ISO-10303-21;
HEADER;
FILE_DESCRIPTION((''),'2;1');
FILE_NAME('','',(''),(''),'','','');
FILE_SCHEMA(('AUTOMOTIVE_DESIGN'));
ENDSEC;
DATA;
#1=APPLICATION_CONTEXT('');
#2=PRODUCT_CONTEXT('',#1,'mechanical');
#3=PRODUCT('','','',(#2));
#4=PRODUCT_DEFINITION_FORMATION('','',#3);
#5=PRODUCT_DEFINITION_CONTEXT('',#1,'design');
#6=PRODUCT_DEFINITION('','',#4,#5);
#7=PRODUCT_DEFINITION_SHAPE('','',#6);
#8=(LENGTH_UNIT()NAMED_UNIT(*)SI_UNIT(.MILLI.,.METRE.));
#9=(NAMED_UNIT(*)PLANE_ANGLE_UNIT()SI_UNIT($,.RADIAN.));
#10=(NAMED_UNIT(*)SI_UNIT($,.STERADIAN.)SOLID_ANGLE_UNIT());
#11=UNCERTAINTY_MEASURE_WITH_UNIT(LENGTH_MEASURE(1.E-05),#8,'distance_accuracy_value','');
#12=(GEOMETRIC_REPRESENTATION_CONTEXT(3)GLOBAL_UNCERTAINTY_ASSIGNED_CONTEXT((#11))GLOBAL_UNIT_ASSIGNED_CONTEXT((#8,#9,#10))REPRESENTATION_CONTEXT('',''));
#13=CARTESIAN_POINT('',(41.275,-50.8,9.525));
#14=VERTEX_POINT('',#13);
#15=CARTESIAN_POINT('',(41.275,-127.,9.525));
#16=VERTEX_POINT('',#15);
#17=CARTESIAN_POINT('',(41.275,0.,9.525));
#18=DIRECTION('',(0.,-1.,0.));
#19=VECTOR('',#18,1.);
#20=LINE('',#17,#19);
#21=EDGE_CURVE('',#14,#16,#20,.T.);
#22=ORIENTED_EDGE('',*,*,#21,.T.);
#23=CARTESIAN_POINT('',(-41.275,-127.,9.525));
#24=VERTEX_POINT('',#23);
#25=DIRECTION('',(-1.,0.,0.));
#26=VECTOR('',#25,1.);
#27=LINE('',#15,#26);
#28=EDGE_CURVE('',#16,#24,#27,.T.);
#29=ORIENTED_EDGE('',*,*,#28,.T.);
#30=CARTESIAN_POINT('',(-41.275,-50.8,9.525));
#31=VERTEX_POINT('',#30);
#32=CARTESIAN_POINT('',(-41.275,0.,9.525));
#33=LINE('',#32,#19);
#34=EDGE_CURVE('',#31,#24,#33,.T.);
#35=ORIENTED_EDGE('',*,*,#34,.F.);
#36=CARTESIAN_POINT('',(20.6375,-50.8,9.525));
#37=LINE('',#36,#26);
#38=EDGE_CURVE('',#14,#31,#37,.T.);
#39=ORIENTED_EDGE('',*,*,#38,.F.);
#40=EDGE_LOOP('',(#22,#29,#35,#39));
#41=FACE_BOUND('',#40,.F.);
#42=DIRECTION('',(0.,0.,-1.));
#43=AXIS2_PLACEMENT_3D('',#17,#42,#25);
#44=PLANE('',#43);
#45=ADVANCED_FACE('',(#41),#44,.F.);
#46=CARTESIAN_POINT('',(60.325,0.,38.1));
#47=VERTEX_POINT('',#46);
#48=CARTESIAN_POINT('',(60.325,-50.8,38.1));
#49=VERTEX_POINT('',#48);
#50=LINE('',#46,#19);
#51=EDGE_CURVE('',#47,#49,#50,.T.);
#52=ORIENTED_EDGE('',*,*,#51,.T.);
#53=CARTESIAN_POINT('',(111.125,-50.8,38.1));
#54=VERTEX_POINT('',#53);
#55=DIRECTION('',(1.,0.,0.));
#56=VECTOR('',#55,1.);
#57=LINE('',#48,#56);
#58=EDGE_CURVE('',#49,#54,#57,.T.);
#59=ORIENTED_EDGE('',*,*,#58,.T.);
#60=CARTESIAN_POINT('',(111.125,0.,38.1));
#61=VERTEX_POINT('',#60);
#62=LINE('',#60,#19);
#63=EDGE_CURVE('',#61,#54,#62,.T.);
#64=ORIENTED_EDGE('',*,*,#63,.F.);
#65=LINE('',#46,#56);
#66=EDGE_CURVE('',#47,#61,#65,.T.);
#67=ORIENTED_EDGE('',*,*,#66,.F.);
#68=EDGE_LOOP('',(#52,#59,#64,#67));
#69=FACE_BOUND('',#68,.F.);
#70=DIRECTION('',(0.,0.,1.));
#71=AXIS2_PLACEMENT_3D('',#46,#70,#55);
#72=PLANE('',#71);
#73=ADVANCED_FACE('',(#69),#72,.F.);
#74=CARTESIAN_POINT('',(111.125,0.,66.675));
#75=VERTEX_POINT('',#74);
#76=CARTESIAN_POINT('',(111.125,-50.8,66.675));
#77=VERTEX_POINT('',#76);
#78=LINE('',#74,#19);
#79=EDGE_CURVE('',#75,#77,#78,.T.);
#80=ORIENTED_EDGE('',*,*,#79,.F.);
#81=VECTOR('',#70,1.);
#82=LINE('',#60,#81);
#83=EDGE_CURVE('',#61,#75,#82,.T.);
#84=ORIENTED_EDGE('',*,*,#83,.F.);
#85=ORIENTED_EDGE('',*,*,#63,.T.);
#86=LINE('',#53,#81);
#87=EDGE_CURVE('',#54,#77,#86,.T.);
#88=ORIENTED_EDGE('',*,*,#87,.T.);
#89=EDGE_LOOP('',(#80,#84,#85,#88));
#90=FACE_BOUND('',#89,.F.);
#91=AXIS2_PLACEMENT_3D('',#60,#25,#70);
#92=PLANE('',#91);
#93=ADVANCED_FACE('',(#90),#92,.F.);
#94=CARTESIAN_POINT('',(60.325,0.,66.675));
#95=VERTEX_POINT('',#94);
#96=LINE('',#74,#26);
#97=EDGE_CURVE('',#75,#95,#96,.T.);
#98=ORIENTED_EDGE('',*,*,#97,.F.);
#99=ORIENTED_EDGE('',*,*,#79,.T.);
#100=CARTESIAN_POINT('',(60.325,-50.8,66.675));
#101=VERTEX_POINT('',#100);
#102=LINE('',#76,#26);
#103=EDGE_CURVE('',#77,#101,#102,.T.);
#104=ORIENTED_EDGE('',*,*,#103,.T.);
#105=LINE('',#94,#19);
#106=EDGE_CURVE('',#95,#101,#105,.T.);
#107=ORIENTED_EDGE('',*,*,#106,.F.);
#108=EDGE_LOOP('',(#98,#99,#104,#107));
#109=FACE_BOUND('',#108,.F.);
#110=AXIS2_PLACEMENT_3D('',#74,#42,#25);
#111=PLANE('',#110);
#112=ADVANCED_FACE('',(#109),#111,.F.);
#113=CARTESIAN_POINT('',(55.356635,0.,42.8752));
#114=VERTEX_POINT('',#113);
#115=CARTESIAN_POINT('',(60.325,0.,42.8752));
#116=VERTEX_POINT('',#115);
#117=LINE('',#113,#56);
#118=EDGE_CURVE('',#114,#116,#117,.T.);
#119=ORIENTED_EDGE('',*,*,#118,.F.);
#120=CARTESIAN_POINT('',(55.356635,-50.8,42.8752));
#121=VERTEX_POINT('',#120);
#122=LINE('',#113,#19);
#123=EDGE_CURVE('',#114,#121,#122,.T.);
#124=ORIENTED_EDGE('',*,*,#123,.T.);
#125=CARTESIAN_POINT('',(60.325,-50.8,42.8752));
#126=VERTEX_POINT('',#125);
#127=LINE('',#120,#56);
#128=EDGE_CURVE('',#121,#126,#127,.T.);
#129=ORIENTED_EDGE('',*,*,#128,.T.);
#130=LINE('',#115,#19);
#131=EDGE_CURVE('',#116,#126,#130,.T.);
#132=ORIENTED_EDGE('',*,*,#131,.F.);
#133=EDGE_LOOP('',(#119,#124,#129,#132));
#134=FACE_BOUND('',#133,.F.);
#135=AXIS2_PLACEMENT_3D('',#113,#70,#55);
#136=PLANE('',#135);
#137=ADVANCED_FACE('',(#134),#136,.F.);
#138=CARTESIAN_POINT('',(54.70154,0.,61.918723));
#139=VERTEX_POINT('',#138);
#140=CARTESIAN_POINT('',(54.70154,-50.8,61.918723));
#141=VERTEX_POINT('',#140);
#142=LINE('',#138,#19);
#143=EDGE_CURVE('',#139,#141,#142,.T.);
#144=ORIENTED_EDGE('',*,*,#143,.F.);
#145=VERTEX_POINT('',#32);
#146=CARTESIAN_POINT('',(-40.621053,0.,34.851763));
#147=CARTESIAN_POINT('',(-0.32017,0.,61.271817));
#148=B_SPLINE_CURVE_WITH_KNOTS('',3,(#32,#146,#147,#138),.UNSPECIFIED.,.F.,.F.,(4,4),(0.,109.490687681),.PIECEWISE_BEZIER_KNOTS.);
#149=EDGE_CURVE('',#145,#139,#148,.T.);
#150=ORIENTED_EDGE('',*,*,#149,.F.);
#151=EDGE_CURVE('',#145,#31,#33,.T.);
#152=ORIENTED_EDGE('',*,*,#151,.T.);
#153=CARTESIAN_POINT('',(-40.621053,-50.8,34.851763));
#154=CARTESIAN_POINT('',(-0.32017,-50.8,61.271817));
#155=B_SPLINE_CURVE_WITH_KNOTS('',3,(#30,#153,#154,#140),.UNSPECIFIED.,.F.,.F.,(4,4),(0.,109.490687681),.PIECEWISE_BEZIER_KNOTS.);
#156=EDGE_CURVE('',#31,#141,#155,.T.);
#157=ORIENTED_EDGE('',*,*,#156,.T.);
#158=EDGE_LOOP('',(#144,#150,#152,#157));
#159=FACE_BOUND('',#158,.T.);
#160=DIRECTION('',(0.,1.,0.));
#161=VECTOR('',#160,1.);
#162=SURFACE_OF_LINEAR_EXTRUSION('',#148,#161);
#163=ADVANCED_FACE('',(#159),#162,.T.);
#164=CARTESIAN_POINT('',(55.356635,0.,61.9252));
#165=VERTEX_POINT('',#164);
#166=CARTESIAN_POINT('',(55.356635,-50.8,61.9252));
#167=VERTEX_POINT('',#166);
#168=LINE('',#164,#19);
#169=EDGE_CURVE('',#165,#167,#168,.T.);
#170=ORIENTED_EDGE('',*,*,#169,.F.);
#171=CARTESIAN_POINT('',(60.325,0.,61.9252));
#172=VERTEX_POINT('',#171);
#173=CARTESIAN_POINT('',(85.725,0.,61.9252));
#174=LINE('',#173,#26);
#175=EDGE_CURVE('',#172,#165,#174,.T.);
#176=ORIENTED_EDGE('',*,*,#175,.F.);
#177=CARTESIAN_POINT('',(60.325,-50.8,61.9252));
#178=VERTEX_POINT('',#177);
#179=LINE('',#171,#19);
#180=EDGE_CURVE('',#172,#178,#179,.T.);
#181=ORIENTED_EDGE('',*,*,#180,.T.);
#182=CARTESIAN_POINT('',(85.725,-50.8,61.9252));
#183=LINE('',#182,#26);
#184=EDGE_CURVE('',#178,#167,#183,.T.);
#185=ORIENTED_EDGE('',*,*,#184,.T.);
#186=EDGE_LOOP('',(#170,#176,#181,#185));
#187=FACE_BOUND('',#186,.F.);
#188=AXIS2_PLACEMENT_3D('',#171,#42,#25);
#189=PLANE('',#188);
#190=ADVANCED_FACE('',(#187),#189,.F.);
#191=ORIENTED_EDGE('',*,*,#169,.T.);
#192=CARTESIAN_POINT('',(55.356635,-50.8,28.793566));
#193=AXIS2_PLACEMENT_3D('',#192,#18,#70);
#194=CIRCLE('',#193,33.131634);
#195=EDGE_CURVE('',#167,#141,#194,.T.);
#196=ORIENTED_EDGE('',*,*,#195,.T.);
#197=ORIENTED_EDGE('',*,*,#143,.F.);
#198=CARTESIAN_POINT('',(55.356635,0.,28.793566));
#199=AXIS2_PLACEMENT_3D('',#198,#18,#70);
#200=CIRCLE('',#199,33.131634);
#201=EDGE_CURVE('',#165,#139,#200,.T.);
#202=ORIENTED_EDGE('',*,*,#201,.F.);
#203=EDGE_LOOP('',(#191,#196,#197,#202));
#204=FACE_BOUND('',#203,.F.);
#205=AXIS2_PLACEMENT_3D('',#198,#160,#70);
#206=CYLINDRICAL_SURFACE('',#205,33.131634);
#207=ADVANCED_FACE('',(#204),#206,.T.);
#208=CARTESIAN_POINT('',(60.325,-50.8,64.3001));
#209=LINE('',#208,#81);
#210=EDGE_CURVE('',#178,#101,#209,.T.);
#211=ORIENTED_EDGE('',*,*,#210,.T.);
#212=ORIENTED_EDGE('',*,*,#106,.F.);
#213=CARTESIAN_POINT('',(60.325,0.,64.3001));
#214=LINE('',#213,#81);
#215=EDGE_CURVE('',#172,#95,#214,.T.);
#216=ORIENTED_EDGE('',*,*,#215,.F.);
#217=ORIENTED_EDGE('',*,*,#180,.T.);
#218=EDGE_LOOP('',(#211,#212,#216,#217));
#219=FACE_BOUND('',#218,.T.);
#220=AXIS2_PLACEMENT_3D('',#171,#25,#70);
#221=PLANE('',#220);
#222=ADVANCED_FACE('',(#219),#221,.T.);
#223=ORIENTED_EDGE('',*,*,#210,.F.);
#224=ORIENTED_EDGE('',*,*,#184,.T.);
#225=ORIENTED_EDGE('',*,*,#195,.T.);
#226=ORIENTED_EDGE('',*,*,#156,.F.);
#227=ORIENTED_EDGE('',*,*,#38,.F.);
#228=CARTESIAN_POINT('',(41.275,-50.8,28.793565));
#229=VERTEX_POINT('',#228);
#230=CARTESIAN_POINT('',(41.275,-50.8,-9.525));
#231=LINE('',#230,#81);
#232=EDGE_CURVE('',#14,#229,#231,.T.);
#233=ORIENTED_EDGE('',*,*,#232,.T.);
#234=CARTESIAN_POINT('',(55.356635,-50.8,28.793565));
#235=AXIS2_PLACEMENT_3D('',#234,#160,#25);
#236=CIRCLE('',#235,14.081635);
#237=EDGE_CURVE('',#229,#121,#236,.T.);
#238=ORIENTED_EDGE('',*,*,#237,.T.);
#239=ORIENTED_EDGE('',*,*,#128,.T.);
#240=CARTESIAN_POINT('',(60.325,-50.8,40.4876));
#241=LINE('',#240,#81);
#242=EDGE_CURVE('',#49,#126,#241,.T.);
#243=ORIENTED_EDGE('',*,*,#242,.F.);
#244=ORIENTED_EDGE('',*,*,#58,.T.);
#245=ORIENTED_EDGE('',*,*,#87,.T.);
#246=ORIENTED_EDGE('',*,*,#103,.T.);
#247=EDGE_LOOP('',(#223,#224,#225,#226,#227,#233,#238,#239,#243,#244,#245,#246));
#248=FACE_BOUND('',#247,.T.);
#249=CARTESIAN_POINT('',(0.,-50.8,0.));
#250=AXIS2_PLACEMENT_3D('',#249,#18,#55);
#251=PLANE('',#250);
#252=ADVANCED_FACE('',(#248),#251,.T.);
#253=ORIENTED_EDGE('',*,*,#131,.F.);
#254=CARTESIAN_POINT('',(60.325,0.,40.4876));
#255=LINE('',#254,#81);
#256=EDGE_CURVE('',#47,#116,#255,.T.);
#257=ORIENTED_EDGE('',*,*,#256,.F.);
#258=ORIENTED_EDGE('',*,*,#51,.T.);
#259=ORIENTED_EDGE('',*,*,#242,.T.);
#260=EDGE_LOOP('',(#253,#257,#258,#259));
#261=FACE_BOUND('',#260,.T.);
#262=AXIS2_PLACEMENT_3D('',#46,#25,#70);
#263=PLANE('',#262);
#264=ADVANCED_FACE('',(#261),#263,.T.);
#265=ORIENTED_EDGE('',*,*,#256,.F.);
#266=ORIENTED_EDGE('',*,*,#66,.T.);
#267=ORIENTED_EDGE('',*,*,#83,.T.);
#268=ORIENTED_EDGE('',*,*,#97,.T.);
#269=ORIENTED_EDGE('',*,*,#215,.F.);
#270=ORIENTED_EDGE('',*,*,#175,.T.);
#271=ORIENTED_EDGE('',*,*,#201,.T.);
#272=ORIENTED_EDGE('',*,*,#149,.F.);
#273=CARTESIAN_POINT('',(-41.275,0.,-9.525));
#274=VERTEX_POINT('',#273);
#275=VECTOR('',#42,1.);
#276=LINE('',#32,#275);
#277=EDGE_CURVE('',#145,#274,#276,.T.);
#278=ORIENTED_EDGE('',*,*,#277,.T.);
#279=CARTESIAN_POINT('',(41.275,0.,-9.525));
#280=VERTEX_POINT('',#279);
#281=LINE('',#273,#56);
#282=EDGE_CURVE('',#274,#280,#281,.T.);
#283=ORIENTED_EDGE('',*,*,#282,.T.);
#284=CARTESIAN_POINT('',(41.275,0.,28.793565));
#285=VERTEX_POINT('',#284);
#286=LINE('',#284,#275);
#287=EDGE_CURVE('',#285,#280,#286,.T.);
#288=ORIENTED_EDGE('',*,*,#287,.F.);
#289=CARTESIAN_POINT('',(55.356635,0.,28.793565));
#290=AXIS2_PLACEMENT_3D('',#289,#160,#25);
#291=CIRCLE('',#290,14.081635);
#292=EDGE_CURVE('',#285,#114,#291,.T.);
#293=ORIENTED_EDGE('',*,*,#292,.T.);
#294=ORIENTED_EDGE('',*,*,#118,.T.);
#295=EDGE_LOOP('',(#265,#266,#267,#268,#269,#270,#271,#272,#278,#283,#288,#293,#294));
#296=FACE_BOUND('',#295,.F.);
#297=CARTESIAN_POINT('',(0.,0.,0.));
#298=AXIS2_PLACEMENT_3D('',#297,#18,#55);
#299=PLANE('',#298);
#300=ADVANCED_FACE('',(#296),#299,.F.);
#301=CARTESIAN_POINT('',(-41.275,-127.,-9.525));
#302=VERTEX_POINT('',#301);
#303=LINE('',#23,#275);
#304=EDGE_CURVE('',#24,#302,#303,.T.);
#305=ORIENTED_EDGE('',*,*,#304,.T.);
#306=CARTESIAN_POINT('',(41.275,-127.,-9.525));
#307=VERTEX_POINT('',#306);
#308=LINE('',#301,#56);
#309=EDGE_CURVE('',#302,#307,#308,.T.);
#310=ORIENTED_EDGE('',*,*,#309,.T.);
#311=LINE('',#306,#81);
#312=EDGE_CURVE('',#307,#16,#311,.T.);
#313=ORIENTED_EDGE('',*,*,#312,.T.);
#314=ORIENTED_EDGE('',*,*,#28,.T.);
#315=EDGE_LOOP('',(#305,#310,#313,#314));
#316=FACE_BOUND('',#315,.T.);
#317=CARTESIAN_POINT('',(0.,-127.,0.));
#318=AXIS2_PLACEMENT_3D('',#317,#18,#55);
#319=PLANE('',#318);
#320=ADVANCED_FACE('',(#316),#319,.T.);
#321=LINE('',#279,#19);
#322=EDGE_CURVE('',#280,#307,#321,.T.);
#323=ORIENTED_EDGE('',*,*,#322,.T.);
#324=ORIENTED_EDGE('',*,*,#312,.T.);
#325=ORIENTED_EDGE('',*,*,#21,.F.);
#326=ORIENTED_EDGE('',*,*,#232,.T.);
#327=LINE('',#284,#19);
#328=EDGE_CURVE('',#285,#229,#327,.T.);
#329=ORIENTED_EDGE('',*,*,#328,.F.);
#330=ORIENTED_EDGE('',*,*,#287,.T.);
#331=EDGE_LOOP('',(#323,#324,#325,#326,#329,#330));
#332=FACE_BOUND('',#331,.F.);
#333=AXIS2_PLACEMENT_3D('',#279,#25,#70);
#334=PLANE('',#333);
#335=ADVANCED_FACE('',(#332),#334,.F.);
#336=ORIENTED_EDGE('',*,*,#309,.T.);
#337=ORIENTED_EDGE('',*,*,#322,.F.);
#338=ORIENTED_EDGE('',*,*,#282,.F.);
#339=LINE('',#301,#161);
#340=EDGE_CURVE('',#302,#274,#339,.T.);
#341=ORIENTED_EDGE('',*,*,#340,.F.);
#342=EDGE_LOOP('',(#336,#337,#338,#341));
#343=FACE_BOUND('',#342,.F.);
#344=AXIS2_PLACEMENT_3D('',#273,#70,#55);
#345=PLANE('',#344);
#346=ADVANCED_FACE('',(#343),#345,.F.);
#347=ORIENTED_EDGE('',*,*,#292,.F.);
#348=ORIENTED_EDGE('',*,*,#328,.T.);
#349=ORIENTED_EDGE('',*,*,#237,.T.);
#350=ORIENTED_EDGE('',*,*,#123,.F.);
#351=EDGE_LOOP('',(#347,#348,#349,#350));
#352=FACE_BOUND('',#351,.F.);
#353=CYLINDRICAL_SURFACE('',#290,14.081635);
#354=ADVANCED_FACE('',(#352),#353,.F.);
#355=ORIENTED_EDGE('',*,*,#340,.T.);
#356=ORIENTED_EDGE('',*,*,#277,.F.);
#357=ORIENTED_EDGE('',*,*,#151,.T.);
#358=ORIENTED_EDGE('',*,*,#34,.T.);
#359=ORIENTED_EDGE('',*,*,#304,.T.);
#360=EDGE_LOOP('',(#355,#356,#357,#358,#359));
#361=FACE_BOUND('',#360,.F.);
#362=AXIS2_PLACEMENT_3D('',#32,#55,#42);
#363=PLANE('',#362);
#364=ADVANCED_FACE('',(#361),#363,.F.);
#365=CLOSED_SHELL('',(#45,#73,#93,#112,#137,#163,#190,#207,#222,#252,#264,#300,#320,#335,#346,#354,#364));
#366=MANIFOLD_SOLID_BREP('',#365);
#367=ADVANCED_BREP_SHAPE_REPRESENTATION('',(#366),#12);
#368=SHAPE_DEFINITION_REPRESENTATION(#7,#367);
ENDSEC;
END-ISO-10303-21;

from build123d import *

# Parameters (mm, degrees)
F1_DEPTH = 127
F0_W     = 25.4
F0_H     = 4.7752
F0_H_2   = 19.05
F0_H_3   = 4.7498
F2_DEPTH = 50.8


with BuildPart() as f1:
    # F0 (on Front) → F1 (new body)
    with BuildSketch(Plane.XZ):
        Polygon((-41.275, -9.525), (41.275, -9.525), (41.275, 9.525), (22.225, 9.525), (-41.275, 9.525), align=None)
    extrude(amount=F1_DEPTH)

    # F0 (on Front) → F2 (join)
    with BuildSketch(Plane.XZ):
        Polygon((-41.275, -9.525), (41.275, -9.525), (41.275, 9.525), (22.225, 9.525), (-41.275, 9.525), align=None)
        with BuildLine():
            Line((22.225, 9.525), (41.275, 9.525))
            Line((41.275, 9.525), (41.275, 28.7935645963))
            ThreePointArc((41.275, 28.7935645963), (45.3994155195, 38.7507844805), (55.3566354037, 42.8752))
            Line((55.3566354037, 42.8752), (60.325, 42.8752))
            Line((60.325, 42.8752), (60.325, 61.9252))
            Line((60.325, 61.9252), (55.3566354037, 61.9252))
            add(Edge.make_bspline(
                [(54.7015401596, 61.9187229317), (54.9196743862, 61.9212875982), (55.1380399853, 61.923447179), (55.3566354037, 61.9252)],
                knots=[109.4906876808, 109.4906876808, 109.4906876808, 109.4906876808, 109.9247648204, 109.9247648204, 109.9247648204, 109.9247648204], degree=3))
            ThreePointArc((54.7015401596, 61.9187229317), (31.6985538954, 51.9884011741), (22.225, 28.7935645963))
            Line((22.225, 28.7935645963), (22.225, 9.525))
        make_face()
        with BuildLine():
            add(Edge.make_bspline(
                [(-41.275, 9.525), (-40.6210532053, 34.8517628928), (-0.3201698125, 61.2718169443), (54.7015401596, 61.9187229317)],
                knots=[0, 0, 0, 0, 109.4906876808, 109.4906876808, 109.4906876808, 109.4906876808], degree=3))
            Line((-41.275, 9.525), (22.225, 9.525))
            Line((22.225, 9.525), (22.225, 28.7935645963))
            ThreePointArc((22.225, 28.7935645963), (31.6985538954, 51.9884011741), (54.7015401596, 61.9187229317))
        make_face()
        with BuildLine():
            ThreePointArc((55.3566354037, 61.9252), (55.029071772, 61.9235806934), (54.7015401596, 61.9187229317))
            add(Edge.make_bspline(
                [(54.7015401596, 61.9187229317), (54.9196743862, 61.9212875982), (55.1380399853, 61.923447179), (55.3566354037, 61.9252)],
                knots=[109.4906876808, 109.4906876808, 109.4906876808, 109.4906876808, 109.9247648204, 109.9247648204, 109.9247648204, 109.9247648204], degree=3))
        make_face()
        with Locations((73.025, 40.4876)):
            Rectangle(F0_W, F0_H)
        with Locations((73.025, 52.4002)):
            Rectangle(F0_W, F0_H_2)
        with Locations((73.025, 64.3001)):
            Rectangle(F0_W, F0_H_3)
        Polygon((85.725, 61.9252), (85.725, 42.8752), (85.725, 38.1), (111.125, 38.1), (111.125, 66.675), (85.725, 66.675), align=None)
    extrude(amount=F2_DEPTH)


solid = f1.part
